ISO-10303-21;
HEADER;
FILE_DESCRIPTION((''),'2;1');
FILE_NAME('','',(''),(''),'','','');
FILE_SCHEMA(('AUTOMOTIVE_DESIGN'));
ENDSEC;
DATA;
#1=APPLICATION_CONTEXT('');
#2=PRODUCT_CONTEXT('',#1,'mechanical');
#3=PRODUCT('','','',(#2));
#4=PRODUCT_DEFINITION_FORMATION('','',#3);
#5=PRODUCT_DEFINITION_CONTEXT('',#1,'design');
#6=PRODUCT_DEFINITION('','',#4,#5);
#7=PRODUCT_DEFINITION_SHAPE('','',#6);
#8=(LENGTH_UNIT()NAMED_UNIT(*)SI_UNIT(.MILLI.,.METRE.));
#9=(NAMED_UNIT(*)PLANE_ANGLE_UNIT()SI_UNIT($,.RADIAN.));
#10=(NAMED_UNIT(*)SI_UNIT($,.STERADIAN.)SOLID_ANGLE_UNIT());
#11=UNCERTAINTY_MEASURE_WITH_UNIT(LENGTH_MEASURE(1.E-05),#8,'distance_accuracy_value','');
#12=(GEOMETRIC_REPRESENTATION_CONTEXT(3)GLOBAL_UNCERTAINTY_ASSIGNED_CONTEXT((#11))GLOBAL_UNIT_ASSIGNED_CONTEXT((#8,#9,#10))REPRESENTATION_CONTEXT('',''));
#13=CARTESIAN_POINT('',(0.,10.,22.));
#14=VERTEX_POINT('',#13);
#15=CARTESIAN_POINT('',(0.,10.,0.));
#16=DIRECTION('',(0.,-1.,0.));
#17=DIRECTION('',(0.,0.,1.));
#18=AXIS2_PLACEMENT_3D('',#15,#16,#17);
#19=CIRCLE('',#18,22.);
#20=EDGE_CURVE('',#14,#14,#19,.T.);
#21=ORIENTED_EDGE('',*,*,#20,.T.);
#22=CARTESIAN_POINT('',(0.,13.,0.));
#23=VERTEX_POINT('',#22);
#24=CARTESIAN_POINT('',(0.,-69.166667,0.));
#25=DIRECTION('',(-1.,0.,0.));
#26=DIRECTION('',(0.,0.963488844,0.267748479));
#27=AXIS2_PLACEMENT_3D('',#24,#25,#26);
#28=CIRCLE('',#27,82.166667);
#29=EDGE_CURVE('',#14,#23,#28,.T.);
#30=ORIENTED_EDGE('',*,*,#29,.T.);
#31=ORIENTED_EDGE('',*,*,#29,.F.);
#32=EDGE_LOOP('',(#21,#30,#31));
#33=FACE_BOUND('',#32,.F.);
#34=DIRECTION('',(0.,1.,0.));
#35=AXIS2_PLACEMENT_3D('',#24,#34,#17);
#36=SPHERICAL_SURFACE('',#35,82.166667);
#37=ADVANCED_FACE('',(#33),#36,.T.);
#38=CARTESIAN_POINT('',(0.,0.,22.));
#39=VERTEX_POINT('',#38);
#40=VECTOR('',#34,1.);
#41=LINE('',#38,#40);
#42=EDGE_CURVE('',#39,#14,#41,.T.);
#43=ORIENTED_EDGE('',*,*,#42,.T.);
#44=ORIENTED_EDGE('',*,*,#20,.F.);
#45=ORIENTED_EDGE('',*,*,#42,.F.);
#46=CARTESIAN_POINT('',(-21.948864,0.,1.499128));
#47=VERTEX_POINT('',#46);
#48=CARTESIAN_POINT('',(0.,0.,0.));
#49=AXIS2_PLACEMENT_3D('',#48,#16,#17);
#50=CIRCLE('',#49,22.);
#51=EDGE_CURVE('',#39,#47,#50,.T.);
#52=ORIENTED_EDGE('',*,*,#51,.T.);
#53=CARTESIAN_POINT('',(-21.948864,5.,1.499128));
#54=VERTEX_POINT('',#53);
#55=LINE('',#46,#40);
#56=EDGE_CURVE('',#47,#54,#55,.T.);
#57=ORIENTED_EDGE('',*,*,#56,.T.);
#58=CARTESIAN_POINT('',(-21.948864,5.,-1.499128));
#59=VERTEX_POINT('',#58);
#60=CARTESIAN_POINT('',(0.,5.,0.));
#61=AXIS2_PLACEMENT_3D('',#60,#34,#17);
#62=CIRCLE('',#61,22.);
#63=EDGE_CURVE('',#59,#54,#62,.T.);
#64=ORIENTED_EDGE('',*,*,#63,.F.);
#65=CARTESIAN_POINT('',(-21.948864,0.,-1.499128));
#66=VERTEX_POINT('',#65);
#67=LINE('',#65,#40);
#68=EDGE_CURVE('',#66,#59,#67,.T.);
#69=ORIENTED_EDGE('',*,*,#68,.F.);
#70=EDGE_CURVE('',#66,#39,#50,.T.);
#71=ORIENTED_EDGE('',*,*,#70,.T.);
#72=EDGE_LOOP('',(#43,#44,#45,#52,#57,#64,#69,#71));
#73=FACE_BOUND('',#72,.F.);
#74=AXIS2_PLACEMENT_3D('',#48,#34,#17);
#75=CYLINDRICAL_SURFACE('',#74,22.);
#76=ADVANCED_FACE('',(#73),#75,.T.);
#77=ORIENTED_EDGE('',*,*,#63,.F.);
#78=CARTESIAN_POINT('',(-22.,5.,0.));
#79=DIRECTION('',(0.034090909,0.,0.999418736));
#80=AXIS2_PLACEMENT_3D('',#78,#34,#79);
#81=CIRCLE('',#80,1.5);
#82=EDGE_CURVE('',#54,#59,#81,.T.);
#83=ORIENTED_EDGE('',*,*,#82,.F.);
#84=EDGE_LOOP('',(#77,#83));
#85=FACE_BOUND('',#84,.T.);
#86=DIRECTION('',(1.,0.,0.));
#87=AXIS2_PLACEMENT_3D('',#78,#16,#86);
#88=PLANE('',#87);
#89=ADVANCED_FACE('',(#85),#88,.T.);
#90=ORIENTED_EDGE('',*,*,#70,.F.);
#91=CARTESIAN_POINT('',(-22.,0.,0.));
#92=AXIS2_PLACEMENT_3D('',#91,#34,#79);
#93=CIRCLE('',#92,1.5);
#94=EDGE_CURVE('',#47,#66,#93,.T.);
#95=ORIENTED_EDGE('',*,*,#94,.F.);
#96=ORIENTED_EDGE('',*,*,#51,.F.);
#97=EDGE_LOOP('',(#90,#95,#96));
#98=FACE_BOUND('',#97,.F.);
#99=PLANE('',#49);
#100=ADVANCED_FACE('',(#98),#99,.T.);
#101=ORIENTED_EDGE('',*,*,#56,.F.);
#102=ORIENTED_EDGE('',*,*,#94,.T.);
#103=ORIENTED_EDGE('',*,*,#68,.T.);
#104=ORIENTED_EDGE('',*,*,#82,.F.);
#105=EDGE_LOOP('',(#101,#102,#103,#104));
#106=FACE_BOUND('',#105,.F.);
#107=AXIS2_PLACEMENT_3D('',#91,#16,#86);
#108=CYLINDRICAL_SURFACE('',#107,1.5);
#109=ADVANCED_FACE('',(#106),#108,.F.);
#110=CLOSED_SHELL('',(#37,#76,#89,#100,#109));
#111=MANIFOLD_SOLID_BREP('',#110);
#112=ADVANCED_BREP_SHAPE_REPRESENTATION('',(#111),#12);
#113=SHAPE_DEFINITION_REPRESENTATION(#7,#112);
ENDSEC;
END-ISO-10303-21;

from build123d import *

# Parameters (mm, degrees)
SKETCH2_R          = 1.5
CUT_EXTRUDE1_DEPTH = 5


with BuildPart() as part:
    # Sketch1 → Revolve1 (revolve)
    with BuildSketch(Plane.XY, mode=Mode.PRIVATE) as revolve1_sk:
        with BuildLine():
            Line((0, 0), (-22, 0))
            Line((-22, 0), (-22, 10))
            ThreePointArc((-22, 10), (-11.101801656, 12.246545474), (0, 13))
            Line((0, 13), (0, 0))
        make_face()
    revolve(revolve1_sk.sketch.rotate(Axis((0, 30, 0), (0, -1, 0)), 270), axis=Axis((0, 30, 0), (0, -1, 0)))  # turned: the seam where the file's is

    # Sketch2 → Cut-Extrude1 (cut)
    with BuildSketch(Plane.XZ):
        with Locations((-22, 0)):
            Circle(SKETCH2_R)
    extrude(amount=-CUT_EXTRUDE1_DEPTH, mode=Mode.SUBTRACT)


solid = part.part
